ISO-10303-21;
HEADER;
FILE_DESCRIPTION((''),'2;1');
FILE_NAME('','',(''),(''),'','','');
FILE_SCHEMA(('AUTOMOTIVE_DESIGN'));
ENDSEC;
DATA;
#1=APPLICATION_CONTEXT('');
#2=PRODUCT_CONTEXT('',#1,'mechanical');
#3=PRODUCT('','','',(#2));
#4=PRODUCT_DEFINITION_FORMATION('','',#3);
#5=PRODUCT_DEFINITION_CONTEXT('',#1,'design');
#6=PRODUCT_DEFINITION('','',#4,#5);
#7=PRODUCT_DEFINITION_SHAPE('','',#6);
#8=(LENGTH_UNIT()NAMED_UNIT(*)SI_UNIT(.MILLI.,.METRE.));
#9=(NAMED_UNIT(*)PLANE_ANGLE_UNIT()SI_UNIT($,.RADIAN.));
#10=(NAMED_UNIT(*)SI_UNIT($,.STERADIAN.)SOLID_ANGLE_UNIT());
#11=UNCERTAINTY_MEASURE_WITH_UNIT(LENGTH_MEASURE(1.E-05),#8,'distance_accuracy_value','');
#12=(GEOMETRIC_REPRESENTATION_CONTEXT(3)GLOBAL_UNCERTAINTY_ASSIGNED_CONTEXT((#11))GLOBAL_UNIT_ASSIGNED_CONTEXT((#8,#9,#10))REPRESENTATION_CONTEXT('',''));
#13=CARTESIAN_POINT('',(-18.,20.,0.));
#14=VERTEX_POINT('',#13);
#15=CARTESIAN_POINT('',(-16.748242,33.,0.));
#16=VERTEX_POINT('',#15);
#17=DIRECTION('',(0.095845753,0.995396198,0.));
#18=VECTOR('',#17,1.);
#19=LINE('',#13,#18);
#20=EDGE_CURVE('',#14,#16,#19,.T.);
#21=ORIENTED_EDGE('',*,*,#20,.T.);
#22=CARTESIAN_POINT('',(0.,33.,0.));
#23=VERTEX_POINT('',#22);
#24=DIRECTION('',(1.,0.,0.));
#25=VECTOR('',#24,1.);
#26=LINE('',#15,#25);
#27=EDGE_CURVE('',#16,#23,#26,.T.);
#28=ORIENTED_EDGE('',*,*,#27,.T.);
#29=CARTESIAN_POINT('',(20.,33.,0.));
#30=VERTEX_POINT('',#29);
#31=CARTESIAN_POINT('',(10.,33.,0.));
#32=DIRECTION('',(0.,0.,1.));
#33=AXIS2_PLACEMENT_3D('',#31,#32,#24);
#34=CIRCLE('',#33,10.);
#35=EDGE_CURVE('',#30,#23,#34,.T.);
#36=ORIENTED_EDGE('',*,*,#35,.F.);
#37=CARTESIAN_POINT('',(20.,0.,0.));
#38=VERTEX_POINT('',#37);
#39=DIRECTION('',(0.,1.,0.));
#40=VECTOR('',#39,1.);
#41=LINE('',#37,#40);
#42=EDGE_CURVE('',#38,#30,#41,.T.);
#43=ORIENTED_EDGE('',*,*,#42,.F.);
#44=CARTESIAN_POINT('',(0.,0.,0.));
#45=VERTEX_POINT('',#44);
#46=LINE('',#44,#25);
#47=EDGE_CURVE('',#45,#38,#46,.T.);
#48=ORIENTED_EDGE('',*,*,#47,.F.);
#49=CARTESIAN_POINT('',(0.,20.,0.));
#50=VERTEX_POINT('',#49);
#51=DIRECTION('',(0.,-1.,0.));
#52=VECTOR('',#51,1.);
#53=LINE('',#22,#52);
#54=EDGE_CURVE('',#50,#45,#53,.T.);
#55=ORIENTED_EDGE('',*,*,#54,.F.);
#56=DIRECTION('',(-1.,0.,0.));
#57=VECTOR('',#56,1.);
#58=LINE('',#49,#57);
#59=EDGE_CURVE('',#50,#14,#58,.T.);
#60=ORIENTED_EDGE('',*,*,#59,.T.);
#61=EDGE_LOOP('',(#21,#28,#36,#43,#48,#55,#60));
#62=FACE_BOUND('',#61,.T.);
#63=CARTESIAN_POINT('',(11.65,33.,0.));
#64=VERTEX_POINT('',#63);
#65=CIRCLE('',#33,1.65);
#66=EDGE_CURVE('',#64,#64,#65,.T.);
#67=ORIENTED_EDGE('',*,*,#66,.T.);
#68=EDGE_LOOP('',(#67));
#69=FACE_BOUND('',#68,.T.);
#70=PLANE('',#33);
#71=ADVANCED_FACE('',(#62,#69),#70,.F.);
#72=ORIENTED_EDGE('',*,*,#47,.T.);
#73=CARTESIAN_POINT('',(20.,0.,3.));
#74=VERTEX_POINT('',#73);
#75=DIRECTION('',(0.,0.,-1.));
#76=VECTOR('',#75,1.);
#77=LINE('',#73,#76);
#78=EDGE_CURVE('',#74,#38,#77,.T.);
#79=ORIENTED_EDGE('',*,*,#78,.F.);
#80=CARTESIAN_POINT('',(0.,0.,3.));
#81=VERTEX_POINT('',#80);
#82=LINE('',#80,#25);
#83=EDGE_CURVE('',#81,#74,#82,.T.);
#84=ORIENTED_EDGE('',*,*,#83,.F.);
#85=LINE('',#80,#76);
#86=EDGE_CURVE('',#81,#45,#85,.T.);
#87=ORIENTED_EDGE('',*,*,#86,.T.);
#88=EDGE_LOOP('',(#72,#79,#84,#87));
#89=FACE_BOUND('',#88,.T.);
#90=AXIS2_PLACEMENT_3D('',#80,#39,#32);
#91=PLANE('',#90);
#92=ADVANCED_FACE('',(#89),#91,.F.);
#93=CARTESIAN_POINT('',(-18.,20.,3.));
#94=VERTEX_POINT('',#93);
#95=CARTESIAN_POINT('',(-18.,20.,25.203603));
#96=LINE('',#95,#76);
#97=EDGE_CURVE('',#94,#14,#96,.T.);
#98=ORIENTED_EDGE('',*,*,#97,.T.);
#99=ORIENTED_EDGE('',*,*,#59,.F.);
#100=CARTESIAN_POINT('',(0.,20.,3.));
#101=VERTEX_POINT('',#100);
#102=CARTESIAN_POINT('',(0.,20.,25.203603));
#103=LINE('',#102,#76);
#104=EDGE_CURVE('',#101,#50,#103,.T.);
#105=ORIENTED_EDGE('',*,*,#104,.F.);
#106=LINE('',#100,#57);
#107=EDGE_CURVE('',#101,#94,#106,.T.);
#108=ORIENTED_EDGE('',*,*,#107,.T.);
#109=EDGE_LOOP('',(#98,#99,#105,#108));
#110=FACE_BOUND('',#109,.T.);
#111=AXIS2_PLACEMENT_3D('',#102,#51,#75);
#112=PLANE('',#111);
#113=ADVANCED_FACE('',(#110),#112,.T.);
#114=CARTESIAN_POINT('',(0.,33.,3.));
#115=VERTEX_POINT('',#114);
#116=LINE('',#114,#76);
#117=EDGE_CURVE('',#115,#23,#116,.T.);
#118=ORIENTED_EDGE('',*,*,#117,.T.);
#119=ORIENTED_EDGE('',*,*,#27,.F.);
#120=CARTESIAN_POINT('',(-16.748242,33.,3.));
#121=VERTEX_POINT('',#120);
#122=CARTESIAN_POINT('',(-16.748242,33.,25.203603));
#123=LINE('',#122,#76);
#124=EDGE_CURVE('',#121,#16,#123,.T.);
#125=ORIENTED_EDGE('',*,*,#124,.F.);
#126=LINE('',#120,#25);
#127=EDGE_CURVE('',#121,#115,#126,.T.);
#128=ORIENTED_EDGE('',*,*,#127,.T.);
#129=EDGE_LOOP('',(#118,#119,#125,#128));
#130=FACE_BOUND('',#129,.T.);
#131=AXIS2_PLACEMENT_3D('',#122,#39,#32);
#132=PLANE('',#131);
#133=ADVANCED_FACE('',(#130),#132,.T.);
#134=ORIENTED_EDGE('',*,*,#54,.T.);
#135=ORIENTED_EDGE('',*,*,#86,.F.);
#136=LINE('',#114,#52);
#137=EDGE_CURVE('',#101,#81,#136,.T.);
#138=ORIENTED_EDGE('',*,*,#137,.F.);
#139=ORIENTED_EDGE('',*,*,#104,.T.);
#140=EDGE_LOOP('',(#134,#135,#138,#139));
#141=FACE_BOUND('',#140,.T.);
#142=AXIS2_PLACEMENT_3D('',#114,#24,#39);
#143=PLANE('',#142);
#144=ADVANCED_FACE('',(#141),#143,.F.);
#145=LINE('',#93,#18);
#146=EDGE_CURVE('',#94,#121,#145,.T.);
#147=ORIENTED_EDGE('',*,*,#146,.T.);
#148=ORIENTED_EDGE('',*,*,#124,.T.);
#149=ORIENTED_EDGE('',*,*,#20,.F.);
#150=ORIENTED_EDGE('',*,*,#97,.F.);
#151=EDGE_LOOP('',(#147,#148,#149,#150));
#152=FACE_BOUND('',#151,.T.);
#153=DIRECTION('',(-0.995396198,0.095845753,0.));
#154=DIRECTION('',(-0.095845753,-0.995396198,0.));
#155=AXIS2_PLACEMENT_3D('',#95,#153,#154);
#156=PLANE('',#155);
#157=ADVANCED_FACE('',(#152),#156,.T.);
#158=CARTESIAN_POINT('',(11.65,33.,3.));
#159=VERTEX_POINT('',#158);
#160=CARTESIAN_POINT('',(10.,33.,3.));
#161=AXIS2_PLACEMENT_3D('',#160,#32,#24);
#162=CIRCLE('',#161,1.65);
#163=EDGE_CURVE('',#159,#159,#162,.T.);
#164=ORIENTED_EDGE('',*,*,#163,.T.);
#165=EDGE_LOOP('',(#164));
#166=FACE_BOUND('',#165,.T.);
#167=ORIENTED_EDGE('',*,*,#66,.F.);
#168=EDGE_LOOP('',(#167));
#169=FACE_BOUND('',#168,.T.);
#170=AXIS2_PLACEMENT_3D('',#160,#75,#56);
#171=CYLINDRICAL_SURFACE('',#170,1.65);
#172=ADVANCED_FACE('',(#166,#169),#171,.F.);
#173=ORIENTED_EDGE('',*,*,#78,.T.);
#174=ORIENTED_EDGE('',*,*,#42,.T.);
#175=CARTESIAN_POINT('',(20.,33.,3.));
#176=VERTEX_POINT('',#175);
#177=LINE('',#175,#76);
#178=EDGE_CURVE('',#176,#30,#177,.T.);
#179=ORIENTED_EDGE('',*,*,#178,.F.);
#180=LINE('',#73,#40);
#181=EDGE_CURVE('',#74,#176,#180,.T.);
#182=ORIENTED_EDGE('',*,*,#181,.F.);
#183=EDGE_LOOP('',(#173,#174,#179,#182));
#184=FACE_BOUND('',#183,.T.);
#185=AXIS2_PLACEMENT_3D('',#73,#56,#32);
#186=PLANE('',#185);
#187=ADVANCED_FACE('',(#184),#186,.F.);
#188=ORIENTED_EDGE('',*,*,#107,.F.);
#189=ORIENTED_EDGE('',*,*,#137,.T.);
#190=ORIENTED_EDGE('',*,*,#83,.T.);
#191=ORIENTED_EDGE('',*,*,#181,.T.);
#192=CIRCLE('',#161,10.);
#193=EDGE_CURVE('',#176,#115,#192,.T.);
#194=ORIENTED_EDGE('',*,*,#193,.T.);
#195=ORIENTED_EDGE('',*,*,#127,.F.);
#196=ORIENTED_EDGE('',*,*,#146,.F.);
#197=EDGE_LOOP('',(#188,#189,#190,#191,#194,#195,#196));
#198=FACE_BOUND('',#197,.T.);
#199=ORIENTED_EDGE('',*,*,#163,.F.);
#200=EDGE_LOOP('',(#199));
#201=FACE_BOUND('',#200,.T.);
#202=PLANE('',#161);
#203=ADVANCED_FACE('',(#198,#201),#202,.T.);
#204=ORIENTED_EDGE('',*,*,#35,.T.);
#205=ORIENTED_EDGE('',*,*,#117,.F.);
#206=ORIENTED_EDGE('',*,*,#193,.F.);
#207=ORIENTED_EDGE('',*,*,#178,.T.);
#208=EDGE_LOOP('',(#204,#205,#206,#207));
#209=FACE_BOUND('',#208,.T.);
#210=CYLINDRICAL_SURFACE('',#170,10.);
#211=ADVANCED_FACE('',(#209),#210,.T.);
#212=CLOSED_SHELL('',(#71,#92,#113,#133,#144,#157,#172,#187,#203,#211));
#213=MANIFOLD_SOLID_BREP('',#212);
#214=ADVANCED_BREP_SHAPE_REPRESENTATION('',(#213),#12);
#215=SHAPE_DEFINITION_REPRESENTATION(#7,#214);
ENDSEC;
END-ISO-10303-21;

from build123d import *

# Parameters (mm, degrees)
SKETCH_1_R      = 1.65
EXTRUDE_1_DEPTH = 3
EXTRUDE_2_DEPTH = 3


with BuildPart() as part:
    # 草图1 → 凸台-拉伸1 (new body)
    with BuildSketch(Plane.XY):
        with BuildLine():
            Line((0, 0), (20, 0))
            Line((20, 0), (20, 33))
            ThreePointArc((20, 33), (10, 43), (0, 33))
            Line((0, 33), (0, 0))
        make_face()
        with Locations((10, 33)):
            Circle(SKETCH_1_R, mode=Mode.SUBTRACT)
    extrude(amount=EXTRUDE_1_DEPTH)

    # 草图5 → 凸台-拉伸2 (add)
    with BuildSketch(Plane(origin=(0, 0, 0), x_dir=(-1, 0, 0), z_dir=(0, 0, -1))):
        Polygon((0, 33), (0, 20), (18, 20), (16.748242373, 33), align=None)
    extrude(amount=-EXTRUDE_2_DEPTH)


solid = part.part
